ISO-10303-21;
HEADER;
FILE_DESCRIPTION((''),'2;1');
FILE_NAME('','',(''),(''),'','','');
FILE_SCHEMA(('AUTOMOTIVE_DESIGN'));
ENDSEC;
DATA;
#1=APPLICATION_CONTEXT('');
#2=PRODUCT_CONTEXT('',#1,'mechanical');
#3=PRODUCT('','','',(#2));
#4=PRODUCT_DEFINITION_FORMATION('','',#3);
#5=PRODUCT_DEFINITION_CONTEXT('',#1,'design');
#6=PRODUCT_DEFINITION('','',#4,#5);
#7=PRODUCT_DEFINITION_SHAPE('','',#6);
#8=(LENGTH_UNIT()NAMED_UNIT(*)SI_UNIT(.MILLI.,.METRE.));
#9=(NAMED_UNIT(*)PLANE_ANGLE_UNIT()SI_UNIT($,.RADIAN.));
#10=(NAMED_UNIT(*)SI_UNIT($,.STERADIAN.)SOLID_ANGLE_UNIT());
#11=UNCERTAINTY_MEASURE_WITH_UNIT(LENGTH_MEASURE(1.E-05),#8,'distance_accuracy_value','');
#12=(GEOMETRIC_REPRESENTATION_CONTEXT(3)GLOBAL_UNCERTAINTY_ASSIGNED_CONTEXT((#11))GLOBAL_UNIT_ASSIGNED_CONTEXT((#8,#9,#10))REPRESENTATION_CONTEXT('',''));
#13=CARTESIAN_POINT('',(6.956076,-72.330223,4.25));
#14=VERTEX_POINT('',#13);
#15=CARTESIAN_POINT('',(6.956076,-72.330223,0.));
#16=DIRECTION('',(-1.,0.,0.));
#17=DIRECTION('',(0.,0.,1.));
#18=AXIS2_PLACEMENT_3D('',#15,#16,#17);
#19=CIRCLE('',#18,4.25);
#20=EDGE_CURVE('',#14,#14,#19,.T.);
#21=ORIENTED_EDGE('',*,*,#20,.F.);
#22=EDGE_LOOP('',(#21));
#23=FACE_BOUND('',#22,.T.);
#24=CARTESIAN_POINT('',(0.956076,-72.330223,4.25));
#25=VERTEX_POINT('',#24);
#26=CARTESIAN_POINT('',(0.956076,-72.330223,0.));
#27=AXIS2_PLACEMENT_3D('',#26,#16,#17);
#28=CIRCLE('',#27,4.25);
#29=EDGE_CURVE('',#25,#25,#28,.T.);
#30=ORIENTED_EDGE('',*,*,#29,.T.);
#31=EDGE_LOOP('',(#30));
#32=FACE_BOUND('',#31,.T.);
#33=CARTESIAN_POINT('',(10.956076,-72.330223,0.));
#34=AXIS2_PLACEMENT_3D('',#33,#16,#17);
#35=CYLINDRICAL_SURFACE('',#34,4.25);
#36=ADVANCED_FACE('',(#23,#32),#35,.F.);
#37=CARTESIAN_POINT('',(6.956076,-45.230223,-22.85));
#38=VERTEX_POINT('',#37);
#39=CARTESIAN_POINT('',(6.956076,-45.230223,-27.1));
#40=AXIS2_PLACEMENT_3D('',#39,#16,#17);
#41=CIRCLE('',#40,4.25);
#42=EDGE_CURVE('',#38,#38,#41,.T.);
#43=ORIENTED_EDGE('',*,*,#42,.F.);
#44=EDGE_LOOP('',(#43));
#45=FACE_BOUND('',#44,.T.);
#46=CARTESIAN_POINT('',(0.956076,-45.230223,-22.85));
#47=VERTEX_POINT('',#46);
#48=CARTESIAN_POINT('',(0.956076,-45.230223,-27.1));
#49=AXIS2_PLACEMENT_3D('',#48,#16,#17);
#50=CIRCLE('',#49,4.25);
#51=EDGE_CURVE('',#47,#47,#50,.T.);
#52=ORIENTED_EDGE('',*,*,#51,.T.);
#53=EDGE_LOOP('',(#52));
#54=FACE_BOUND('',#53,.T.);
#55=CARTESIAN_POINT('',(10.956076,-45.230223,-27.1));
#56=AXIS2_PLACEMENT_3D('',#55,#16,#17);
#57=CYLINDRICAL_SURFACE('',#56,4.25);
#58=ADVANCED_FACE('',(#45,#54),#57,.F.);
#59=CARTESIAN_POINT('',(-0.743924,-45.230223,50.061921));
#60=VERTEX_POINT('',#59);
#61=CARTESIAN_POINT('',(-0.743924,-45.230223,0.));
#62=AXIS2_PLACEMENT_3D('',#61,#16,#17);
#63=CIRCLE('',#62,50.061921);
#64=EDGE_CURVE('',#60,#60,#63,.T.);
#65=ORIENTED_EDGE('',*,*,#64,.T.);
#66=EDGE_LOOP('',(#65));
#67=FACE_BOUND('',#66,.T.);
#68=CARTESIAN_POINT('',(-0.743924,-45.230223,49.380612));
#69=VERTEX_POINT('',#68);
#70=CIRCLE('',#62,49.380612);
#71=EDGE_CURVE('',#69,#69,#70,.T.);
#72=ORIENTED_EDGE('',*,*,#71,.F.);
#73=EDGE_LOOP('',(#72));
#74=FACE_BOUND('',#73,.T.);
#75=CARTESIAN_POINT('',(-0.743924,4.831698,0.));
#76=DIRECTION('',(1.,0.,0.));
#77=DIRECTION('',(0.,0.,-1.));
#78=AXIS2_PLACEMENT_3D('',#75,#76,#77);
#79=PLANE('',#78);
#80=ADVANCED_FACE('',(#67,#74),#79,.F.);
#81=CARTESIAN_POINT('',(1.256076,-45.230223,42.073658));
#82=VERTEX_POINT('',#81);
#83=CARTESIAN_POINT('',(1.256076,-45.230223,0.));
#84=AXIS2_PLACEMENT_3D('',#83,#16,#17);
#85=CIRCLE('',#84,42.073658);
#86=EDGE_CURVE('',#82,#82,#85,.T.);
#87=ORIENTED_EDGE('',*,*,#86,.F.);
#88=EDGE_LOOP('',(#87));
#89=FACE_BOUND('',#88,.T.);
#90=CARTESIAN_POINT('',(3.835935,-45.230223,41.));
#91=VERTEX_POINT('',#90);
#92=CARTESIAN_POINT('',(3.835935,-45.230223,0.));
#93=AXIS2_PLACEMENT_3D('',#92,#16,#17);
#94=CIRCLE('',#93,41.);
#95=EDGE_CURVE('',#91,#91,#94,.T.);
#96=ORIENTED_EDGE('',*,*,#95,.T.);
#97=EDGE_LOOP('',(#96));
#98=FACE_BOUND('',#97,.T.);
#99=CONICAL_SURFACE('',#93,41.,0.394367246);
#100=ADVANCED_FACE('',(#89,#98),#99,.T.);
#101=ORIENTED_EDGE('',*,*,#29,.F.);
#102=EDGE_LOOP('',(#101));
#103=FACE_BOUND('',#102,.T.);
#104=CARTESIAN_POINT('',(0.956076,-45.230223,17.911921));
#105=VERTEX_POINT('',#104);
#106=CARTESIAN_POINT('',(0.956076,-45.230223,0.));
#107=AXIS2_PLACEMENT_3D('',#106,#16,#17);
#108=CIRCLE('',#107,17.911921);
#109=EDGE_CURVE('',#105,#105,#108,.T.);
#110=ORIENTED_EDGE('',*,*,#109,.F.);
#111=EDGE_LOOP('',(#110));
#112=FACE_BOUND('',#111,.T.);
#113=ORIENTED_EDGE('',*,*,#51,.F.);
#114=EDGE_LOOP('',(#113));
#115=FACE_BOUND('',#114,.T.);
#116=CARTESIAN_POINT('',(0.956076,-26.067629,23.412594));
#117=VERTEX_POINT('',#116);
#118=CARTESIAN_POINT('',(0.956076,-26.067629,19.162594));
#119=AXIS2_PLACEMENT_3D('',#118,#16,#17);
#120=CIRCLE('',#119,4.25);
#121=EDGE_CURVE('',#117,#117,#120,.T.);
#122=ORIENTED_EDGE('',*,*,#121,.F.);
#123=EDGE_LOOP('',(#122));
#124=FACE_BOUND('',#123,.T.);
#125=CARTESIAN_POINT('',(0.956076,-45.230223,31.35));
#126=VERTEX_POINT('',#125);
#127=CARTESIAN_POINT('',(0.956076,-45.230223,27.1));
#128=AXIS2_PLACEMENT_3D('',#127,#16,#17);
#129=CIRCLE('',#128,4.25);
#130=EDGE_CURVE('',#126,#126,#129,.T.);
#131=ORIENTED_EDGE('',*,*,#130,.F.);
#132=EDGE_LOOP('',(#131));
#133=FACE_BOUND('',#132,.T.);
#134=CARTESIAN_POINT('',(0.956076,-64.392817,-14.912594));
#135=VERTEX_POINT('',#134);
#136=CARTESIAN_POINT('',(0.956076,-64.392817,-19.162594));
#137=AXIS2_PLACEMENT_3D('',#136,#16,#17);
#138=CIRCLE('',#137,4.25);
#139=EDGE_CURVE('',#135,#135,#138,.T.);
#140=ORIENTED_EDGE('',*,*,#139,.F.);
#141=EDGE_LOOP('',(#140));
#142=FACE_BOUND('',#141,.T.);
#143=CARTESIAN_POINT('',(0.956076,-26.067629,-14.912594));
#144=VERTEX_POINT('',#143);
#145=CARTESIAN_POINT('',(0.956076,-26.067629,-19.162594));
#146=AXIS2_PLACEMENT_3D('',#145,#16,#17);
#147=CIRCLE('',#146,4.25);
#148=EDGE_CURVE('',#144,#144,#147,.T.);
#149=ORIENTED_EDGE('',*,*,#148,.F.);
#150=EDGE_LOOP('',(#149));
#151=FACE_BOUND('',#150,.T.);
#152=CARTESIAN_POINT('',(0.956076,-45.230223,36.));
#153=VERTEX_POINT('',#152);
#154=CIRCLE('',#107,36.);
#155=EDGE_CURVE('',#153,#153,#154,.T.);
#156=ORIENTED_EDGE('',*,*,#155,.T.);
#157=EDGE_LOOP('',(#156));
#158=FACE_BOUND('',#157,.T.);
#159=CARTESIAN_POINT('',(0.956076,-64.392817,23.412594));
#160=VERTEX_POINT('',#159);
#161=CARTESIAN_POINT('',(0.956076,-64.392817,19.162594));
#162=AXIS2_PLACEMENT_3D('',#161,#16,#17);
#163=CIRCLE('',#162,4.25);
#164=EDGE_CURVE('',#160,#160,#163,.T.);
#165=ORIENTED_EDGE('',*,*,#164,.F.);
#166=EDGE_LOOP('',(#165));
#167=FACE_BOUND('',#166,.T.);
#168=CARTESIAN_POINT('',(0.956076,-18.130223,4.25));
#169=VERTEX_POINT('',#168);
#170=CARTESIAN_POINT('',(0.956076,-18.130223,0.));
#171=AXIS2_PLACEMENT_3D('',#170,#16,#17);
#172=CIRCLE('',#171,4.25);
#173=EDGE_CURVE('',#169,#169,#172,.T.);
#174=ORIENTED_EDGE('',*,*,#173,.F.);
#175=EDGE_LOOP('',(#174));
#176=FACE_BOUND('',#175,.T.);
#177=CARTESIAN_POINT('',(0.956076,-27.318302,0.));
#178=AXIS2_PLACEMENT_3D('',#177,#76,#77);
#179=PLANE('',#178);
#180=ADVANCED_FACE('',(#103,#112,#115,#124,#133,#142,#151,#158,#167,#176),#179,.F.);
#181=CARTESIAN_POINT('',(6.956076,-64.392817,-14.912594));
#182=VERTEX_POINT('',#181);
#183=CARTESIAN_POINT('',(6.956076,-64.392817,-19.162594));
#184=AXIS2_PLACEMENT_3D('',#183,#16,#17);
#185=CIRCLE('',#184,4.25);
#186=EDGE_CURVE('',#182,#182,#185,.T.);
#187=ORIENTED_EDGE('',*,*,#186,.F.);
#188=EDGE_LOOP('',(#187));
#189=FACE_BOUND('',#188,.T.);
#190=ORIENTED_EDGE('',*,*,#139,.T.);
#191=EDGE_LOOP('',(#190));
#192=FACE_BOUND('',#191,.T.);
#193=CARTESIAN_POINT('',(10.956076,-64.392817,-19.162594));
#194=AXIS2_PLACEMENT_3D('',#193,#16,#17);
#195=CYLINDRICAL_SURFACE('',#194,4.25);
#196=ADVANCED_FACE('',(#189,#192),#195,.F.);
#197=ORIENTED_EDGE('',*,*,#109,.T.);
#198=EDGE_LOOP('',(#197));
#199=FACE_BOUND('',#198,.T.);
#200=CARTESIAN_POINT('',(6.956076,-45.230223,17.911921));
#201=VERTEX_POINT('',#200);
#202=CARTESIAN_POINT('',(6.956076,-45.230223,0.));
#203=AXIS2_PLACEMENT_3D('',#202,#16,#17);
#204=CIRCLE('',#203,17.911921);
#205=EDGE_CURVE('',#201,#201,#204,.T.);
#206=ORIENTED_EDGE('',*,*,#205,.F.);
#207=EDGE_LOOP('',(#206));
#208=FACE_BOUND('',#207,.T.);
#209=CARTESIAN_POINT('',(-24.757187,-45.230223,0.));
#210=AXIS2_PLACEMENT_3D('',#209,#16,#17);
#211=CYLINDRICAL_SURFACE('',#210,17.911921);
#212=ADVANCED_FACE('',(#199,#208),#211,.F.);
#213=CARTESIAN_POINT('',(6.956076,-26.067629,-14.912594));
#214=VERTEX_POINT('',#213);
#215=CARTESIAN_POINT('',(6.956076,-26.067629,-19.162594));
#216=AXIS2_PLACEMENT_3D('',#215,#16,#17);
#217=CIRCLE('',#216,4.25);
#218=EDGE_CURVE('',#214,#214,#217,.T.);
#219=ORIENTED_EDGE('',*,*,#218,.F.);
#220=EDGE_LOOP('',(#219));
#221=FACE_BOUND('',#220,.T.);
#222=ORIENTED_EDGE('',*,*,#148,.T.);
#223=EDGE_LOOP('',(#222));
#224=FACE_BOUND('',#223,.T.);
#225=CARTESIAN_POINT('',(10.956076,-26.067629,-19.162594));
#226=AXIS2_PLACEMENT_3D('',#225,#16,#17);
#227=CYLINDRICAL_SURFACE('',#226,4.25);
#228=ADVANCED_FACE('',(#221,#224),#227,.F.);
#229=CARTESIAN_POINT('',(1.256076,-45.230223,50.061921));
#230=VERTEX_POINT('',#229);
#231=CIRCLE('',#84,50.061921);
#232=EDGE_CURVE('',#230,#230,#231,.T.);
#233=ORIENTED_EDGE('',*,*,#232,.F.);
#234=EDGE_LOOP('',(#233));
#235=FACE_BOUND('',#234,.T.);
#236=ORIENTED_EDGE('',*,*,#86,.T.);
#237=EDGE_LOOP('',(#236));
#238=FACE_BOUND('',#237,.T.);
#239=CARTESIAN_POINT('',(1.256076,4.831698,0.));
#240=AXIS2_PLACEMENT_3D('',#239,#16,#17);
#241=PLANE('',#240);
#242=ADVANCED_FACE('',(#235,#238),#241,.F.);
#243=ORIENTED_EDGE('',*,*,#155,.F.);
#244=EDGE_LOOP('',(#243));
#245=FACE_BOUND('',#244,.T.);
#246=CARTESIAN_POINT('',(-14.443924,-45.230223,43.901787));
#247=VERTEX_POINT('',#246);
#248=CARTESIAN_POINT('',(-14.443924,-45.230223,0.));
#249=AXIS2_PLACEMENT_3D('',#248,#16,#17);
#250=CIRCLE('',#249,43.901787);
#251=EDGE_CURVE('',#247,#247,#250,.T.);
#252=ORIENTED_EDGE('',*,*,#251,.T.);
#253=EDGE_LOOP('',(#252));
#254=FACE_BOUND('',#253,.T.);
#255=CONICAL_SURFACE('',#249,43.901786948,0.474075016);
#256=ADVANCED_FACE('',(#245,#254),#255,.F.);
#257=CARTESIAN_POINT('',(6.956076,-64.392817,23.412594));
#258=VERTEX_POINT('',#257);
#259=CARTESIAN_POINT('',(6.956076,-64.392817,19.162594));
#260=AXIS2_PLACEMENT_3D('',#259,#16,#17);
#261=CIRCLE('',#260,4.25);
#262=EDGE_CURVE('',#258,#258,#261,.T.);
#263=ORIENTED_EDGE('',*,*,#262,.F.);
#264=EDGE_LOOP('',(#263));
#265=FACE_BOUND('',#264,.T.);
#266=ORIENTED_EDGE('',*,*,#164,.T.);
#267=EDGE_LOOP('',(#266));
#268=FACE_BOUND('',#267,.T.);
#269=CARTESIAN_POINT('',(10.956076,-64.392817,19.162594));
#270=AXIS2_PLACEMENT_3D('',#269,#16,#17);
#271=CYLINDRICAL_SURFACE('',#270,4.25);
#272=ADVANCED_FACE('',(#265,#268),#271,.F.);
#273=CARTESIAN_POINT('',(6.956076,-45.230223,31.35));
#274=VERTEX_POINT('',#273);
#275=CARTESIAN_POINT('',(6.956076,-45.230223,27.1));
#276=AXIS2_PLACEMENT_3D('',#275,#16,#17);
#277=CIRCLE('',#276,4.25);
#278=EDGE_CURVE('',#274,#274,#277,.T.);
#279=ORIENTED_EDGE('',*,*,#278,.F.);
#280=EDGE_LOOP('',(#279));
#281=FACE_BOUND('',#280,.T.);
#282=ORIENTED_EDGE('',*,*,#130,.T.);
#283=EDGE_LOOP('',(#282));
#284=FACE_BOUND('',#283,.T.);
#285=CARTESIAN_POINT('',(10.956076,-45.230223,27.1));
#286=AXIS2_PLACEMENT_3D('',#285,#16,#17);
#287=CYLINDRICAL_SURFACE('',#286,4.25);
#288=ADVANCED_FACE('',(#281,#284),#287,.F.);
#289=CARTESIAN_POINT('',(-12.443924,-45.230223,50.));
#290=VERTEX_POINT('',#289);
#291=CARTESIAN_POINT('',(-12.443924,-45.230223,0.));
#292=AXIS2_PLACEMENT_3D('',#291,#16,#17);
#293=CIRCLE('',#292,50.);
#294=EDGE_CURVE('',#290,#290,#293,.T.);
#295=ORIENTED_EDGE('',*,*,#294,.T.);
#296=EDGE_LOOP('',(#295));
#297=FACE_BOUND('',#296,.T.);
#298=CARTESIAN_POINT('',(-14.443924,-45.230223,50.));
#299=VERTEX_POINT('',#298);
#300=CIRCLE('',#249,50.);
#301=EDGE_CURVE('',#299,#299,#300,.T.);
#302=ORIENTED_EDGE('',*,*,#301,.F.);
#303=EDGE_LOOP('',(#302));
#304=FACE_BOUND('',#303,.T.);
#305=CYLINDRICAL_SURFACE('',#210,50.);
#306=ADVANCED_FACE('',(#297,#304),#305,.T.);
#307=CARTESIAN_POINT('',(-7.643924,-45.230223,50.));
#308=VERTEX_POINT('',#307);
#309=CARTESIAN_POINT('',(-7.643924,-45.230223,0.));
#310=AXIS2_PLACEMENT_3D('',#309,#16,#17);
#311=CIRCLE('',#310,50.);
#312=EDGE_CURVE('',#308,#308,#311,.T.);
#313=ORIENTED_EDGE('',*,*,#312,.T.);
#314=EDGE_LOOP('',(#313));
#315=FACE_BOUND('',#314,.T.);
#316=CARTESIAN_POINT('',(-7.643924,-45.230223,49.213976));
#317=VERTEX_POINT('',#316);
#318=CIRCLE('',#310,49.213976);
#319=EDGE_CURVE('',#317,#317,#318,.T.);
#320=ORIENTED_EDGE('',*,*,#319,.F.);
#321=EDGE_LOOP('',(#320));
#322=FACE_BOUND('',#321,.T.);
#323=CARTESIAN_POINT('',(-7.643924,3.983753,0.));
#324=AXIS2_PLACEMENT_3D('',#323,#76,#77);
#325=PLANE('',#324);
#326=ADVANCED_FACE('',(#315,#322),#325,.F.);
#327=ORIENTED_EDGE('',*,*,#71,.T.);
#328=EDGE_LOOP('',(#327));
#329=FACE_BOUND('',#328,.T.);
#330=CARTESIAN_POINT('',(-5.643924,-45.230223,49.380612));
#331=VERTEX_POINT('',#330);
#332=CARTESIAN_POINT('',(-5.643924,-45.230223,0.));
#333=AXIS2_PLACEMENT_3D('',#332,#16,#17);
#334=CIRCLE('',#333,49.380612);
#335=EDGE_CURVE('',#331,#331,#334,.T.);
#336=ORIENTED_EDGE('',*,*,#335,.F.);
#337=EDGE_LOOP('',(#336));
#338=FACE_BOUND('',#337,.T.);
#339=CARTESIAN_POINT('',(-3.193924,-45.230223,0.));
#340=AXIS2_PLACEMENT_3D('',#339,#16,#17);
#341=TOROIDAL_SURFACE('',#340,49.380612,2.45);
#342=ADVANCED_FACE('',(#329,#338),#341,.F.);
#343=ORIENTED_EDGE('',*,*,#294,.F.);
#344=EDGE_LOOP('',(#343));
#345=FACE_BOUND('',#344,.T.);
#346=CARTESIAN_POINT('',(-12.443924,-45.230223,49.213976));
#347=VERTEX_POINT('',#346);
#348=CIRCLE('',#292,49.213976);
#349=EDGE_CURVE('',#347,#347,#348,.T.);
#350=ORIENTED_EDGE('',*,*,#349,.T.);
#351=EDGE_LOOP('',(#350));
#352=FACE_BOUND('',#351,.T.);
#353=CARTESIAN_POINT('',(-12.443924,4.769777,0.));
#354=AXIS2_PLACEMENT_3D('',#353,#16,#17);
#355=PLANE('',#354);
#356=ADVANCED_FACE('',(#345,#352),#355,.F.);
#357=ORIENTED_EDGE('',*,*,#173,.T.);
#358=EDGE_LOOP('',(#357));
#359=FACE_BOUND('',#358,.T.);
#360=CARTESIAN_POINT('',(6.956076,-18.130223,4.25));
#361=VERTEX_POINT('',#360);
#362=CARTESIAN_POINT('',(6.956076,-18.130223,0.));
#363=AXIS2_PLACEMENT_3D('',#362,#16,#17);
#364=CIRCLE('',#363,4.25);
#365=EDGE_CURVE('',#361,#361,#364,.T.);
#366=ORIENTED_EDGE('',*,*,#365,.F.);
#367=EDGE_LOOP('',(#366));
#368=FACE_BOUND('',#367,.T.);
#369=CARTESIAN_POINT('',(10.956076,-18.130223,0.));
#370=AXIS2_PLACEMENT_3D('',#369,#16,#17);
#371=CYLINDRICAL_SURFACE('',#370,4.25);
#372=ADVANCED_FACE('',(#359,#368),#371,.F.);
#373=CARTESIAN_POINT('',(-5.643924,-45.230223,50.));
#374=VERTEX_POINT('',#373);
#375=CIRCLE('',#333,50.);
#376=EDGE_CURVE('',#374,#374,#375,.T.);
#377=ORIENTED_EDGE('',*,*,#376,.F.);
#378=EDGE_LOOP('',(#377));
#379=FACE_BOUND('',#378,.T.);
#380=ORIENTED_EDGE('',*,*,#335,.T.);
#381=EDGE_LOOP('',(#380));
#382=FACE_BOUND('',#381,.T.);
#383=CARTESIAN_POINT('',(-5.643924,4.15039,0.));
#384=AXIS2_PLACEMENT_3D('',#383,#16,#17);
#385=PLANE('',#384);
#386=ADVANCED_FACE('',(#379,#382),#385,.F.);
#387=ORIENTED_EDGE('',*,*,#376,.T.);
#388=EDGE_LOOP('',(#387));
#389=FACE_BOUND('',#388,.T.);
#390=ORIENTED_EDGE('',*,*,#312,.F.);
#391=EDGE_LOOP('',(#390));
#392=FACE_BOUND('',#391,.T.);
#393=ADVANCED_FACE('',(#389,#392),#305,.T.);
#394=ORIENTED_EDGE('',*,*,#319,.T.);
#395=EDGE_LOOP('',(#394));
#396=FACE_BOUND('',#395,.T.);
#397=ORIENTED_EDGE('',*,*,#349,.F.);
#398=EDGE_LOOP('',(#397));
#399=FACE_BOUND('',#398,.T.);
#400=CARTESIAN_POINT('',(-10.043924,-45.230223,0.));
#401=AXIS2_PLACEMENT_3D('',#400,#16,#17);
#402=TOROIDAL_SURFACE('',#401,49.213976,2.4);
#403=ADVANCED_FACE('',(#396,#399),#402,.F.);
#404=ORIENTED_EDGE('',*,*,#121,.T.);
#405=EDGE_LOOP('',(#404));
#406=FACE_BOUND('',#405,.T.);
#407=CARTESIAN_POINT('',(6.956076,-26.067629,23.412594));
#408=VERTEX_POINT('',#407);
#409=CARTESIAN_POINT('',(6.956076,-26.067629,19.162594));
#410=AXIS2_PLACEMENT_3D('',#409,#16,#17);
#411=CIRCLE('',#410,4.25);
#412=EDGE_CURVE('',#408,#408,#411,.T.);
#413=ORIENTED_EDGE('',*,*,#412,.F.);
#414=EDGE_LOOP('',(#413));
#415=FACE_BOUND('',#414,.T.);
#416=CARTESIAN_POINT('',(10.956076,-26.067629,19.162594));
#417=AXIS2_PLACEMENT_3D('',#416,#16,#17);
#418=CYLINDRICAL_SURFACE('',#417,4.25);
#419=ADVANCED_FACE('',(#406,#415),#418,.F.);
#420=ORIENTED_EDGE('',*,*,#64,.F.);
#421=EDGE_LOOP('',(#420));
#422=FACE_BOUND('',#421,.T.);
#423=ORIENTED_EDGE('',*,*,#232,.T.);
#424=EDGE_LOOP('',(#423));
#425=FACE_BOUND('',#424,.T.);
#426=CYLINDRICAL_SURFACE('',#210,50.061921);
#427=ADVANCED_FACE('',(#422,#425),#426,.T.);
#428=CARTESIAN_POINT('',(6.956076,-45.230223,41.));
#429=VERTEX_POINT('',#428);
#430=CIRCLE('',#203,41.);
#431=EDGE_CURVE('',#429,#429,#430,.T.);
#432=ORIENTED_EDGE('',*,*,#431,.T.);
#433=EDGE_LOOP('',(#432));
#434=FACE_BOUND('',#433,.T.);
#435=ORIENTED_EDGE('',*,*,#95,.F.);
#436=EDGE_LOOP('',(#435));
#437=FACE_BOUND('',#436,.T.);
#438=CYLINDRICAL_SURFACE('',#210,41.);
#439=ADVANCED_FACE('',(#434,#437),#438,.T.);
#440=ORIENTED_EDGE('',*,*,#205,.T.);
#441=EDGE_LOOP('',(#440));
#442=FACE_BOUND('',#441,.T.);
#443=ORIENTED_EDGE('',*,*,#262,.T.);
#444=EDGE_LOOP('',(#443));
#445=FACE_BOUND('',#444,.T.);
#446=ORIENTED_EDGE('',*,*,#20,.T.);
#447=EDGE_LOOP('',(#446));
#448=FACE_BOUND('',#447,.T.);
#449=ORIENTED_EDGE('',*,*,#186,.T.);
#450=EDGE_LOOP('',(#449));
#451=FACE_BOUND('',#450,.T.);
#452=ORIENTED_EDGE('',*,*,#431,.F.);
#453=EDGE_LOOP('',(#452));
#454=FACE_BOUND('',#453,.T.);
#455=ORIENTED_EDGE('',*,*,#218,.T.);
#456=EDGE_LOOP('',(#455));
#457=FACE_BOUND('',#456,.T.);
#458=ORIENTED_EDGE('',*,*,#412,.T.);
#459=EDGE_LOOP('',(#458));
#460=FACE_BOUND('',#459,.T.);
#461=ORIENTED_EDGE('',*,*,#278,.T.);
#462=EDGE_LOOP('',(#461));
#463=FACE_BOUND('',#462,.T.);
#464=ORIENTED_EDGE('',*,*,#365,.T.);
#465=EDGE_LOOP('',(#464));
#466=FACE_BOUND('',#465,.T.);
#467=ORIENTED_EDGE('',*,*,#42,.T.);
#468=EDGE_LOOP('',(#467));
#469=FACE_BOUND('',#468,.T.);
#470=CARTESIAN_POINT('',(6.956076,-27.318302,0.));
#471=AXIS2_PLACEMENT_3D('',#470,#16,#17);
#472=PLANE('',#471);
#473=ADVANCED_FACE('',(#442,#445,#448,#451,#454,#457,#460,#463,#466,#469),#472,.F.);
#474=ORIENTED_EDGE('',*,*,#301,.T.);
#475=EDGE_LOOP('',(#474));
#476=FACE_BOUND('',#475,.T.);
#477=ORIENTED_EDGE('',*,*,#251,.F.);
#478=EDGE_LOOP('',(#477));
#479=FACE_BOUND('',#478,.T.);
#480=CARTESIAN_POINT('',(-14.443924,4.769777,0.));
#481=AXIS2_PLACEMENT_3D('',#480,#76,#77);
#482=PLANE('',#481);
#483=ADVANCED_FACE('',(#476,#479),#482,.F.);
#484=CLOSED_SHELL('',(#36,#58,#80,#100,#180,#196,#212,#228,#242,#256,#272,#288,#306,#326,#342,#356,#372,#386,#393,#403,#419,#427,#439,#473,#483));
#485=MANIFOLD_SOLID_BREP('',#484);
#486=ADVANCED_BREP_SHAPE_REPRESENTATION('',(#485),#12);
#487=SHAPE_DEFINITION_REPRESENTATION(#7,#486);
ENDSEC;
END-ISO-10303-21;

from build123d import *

# Parameters (mm, degrees)
SKETCH2_R          = 4.25
CUT_EXTRUDE1_DEPTH = 10


with BuildPart() as part:
    # Sketch1 → Revolve1 (revolve)
    with BuildSketch(Plane.XY, mode=Mode.PRIVATE) as revolve1_sk:
        with BuildLine():
            Line((1.256075941, 4.83169775), (1.256075941, -3.156564647))
            Line((1.256075941, -3.156564647), (3.835935187, -4.230222841))
            Line((3.835935187, -4.230222841), (6.956075941, -4.230222841))
            Line((6.956075941, -4.230222841), (6.956075941, -27.31830225))
            Line((6.956075941, -27.31830225), (0.956075941, -27.31830225))
            Line((0.956075941, -27.31830225), (0.956075941, -9.230222841))
            Line((0.956075941, -9.230222841), (-14.443924059, -1.328435893))
            Line((-14.443924059, -1.328435893), (-14.443924059, 4.769777159))
            Line((-14.443924059, 4.769777159), (-12.443924059, 4.769777159))
            Line((-12.443924059, 4.769777159), (-12.443924059, 3.983753219))
            ThreePointArc((-12.443924059, 3.983753219), (-10.043924059, 1.583753219), (-7.643924059, 3.983753219))
            Line((-7.643924059, 3.983753219), (-7.643924059, 4.769777159))
            Line((-7.643924059, 4.769777159), (-5.643924059, 4.769777159))
            Line((-5.643924059, 4.769777159), (-5.643924059, 4.15038965))
            ThreePointArc((-5.643924059, 4.15038965), (-3.193924059, 1.70038965), (-0.743924059, 4.15038965))
            Line((-0.743924059, 4.15038965), (-0.743924059, 4.83169775))
            Line((-0.743924059, 4.83169775), (1.256075941, 4.83169775))
        make_face()
    revolve(revolve1_sk.sketch.rotate(Axis((-24.757186567, -45.230222841, 0), (1, 0, 0)), 90), axis=Axis((-24.757186567, -45.230222841, 0), (1, 0, 0)))

    # Sketch2 → Cut-Extrude1 (cut)
    with BuildSketch(Plane.ZY.offset(-0.956075941)):
        with Locations((0, -18.130222841)):
            Circle(SKETCH2_R)
        with Locations((19.16259377, -26.067629071)):
            Circle(SKETCH2_R)
        with Locations((27.1, -45.230222841)):
            Circle(SKETCH2_R)
        with Locations((19.16259377, -64.392816611)):
            Circle(SKETCH2_R)
        with Locations((0, -72.330222841)):
            Circle(SKETCH2_R)
        with Locations((-19.16259377, -64.392816611)):
            Circle(SKETCH2_R)
        with Locations((-27.1, -45.230222841)):
            Circle(SKETCH2_R)
        with Locations((-19.16259377, -26.067629071)):
            Circle(SKETCH2_R)
    extrude(amount=-CUT_EXTRUDE1_DEPTH, mode=Mode.SUBTRACT)


solid = part.part
